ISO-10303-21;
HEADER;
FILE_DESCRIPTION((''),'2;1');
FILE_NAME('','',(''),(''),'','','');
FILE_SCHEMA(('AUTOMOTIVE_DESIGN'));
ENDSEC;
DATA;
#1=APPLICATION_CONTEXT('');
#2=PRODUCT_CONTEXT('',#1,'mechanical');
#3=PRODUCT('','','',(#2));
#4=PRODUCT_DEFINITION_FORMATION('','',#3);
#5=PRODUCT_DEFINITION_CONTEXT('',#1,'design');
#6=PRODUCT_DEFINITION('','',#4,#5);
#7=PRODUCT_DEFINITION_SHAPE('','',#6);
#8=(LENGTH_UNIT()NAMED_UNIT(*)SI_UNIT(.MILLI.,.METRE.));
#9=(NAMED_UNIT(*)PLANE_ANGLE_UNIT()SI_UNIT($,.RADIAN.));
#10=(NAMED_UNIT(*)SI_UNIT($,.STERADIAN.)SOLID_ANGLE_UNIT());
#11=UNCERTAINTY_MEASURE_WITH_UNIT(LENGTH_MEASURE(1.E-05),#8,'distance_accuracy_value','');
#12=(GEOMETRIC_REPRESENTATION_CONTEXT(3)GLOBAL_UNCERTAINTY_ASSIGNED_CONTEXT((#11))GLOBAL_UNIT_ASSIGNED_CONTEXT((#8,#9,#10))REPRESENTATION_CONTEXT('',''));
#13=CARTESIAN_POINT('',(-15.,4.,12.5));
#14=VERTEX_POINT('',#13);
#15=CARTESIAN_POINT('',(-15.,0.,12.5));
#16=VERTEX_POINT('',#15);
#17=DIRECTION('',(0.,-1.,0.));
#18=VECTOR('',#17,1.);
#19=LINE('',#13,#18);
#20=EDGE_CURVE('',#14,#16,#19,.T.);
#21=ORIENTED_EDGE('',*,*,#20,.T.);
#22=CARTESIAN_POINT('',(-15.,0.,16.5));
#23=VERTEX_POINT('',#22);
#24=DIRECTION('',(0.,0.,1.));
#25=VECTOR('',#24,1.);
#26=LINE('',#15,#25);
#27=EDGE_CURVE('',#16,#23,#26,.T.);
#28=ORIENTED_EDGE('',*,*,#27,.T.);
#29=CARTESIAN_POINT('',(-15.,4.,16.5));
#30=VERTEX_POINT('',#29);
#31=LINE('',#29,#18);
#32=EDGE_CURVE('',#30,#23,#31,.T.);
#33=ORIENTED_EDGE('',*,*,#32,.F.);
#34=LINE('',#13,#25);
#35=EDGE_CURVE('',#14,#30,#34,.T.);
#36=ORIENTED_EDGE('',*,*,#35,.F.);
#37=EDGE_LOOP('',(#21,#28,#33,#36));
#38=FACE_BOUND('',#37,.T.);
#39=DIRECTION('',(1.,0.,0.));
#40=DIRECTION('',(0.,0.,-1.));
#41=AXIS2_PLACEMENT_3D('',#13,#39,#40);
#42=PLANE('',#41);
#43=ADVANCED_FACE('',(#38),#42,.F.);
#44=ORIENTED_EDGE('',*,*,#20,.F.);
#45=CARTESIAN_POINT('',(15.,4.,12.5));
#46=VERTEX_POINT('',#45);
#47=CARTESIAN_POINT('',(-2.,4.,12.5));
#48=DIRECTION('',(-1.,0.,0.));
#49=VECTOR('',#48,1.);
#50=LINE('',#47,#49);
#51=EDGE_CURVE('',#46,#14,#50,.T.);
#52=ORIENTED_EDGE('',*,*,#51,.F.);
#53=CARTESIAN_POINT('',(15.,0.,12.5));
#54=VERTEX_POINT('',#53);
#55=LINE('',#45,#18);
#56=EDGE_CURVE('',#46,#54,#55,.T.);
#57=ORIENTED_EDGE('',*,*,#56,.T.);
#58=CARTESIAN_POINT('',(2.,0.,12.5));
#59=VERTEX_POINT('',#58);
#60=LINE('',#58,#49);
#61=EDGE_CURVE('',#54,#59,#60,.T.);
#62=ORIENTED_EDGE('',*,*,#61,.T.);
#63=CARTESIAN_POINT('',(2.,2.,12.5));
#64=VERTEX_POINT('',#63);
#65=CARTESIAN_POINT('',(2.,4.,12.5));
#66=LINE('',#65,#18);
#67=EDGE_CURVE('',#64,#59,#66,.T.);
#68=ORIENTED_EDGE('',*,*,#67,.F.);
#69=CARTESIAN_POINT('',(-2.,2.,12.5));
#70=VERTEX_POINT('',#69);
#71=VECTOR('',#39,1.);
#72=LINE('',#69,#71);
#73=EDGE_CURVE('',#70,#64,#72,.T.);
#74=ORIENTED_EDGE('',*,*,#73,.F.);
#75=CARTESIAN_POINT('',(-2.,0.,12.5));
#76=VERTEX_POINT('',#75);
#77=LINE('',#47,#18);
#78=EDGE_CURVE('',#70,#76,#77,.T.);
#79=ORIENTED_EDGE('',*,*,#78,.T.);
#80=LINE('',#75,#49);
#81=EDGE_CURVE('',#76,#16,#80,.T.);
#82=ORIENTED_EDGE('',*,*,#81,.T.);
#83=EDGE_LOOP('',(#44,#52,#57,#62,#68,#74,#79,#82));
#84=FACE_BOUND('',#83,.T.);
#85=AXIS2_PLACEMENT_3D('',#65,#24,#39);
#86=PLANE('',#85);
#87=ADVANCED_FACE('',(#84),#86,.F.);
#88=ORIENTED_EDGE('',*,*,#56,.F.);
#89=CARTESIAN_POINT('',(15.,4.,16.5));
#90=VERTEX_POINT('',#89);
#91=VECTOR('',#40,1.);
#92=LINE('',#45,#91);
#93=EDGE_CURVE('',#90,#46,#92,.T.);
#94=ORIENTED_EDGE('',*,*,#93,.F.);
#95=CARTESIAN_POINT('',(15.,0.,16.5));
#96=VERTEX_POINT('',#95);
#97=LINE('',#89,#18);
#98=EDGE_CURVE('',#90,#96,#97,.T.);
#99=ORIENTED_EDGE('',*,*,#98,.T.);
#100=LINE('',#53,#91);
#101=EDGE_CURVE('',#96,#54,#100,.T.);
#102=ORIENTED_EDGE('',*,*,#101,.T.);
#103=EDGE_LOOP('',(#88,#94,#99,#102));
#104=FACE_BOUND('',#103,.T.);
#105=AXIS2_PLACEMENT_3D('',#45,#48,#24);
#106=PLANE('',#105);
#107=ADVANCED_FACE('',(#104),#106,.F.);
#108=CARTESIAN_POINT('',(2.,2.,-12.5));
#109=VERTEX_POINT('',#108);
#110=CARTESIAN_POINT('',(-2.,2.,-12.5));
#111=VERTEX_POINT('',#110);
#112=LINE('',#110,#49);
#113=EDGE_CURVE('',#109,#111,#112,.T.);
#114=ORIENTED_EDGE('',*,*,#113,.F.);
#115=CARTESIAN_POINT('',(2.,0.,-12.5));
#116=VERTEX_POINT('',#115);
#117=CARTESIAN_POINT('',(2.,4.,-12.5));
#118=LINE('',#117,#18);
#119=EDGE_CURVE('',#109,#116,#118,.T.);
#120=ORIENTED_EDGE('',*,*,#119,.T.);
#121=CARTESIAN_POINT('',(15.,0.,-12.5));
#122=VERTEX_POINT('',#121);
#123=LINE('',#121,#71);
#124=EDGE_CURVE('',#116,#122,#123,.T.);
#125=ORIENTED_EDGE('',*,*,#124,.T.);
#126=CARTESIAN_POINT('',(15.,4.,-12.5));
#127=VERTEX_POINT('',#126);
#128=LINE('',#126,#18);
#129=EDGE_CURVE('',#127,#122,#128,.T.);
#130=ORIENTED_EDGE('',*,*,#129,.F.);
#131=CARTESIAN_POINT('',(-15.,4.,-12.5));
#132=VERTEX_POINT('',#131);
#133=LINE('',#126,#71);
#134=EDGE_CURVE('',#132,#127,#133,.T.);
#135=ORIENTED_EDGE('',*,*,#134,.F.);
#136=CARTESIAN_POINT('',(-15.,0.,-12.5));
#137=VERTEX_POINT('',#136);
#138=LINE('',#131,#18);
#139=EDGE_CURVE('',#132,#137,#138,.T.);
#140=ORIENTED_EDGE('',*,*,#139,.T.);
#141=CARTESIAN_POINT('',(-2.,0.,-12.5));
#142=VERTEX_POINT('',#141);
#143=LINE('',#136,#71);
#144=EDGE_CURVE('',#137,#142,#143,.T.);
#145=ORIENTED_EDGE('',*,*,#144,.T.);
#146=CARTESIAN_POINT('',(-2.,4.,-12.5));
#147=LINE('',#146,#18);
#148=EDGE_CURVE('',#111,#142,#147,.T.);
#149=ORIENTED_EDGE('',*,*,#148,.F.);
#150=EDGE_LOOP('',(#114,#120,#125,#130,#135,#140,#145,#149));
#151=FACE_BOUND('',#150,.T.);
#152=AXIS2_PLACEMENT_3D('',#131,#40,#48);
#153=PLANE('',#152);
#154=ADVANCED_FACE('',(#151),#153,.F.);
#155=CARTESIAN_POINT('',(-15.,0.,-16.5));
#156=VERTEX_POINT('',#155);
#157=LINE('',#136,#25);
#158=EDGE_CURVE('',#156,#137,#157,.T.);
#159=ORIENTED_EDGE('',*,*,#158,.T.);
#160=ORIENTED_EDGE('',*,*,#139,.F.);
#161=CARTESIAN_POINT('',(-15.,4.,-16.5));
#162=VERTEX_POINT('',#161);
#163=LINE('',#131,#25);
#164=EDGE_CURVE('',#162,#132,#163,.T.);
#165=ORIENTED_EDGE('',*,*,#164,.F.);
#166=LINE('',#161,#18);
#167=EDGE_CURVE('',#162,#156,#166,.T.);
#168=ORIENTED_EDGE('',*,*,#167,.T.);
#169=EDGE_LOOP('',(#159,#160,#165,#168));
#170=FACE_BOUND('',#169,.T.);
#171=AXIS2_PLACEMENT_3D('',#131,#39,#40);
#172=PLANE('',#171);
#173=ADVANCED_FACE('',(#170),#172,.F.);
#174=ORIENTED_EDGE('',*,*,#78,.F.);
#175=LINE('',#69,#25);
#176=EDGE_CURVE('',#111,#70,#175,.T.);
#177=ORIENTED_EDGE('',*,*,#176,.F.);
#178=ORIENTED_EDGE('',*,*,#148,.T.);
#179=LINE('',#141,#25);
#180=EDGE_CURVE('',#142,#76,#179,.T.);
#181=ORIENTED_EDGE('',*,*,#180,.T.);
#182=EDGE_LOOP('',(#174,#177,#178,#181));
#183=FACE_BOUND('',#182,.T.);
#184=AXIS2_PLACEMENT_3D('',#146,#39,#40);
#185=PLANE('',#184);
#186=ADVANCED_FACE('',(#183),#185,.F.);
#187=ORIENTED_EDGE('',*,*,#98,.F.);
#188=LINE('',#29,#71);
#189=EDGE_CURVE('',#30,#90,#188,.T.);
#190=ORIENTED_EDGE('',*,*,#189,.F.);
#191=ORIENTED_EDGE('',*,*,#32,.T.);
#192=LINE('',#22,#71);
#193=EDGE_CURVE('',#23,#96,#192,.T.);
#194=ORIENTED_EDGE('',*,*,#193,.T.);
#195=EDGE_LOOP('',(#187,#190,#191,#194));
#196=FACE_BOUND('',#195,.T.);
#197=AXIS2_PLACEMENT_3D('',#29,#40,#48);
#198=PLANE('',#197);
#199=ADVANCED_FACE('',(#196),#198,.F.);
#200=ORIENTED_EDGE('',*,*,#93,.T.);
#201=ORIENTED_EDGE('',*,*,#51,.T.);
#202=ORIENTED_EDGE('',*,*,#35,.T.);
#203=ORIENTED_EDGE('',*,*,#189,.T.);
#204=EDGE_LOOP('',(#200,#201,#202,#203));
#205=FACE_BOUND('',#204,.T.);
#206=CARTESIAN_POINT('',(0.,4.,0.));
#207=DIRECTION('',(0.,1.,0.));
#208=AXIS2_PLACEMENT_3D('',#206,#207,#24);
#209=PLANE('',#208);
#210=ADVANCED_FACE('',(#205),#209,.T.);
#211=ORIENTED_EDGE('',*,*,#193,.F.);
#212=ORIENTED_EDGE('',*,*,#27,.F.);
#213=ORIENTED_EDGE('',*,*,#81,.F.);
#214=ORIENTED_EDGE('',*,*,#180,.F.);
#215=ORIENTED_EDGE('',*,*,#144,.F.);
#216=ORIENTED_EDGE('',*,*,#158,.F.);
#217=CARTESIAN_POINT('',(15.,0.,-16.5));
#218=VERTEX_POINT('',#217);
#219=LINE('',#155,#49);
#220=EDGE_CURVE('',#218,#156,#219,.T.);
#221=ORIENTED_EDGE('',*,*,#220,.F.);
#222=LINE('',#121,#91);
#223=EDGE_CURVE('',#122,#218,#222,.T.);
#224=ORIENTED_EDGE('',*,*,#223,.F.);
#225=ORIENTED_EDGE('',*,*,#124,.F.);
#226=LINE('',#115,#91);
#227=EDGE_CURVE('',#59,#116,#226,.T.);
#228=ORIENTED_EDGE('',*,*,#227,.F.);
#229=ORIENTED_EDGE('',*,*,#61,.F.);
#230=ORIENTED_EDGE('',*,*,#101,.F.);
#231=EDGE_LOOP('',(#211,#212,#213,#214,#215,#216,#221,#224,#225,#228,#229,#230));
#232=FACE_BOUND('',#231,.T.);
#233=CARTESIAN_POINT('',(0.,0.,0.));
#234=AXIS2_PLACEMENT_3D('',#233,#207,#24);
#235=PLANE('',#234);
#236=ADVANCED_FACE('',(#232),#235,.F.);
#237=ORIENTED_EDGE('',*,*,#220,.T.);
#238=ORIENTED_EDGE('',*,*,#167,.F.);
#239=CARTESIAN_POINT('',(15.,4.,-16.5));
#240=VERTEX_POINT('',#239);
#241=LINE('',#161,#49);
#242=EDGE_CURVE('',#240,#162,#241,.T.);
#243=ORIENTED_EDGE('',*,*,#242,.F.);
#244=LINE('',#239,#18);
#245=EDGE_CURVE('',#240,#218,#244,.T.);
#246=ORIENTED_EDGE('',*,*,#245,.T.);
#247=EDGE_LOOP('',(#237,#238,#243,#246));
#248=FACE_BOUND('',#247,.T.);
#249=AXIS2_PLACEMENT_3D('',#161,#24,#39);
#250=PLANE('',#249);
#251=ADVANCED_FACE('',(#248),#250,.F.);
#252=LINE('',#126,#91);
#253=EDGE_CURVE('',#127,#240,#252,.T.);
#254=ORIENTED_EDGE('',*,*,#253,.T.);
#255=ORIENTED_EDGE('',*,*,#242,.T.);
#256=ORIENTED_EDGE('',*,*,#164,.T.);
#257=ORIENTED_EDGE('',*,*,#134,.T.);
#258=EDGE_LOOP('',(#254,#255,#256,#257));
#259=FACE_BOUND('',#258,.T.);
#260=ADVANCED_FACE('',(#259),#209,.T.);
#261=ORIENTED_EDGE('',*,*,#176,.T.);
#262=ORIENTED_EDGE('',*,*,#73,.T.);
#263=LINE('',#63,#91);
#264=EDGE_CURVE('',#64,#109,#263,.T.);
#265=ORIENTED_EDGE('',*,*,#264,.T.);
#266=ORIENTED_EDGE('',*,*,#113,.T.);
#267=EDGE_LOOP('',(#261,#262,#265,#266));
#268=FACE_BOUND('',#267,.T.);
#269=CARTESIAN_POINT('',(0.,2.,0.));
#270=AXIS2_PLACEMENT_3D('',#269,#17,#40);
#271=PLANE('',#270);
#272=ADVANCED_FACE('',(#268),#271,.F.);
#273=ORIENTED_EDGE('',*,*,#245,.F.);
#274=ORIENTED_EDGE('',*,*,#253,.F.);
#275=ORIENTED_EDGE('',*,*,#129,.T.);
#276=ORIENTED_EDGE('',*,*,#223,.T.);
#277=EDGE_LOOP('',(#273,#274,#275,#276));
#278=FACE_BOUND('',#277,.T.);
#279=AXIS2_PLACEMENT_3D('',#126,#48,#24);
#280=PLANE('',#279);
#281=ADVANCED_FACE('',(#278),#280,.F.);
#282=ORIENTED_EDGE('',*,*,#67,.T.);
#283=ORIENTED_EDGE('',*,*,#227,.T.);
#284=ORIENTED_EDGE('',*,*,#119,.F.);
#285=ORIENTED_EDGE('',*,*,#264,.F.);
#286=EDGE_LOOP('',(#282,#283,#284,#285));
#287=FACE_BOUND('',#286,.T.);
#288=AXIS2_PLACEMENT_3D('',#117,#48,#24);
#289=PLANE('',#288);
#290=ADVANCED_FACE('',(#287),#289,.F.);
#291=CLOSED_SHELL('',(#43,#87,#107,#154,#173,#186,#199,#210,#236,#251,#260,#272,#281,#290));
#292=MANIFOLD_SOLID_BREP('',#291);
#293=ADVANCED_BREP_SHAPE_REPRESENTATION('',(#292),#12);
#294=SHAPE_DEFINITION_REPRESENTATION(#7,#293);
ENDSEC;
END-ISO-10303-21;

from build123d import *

# Parameters (mm, degrees)
BOSS_EXTRUDE1_DEPTH = 4
SKETCH2_W           = 4
SKETCH2_H           = 25
CUT_EXTRUDE1_DEPTH  = 2


with BuildPart() as part:
    # Sketch1 → Boss-Extrude1 (new body)
    with BuildSketch(Plane(origin=(0, 0, 0), x_dir=(1, 0, 0), z_dir=(0, 1, 0))):
        Polygon((-15, 12.5), (-2, 12.5), (-2, -12.5), (-15, -12.5), (-15, -16.5), (15, -16.5), (15, -12.5), (2, -12.5), (2, 12.5), (15, 12.5), (15, 16.5), (-15, 16.5), align=None)
    extrude(amount=BOSS_EXTRUDE1_DEPTH)

    # Sketch2 → Cut-Extrude1 (cut)
    with BuildSketch(Plane(origin=(0, 4, 0), x_dir=(1, 0, 0), z_dir=(0, 1, 0))):
        Rectangle(SKETCH2_W, SKETCH2_H)
    extrude(amount=-CUT_EXTRUDE1_DEPTH, mode=Mode.SUBTRACT)


solid = part.part
